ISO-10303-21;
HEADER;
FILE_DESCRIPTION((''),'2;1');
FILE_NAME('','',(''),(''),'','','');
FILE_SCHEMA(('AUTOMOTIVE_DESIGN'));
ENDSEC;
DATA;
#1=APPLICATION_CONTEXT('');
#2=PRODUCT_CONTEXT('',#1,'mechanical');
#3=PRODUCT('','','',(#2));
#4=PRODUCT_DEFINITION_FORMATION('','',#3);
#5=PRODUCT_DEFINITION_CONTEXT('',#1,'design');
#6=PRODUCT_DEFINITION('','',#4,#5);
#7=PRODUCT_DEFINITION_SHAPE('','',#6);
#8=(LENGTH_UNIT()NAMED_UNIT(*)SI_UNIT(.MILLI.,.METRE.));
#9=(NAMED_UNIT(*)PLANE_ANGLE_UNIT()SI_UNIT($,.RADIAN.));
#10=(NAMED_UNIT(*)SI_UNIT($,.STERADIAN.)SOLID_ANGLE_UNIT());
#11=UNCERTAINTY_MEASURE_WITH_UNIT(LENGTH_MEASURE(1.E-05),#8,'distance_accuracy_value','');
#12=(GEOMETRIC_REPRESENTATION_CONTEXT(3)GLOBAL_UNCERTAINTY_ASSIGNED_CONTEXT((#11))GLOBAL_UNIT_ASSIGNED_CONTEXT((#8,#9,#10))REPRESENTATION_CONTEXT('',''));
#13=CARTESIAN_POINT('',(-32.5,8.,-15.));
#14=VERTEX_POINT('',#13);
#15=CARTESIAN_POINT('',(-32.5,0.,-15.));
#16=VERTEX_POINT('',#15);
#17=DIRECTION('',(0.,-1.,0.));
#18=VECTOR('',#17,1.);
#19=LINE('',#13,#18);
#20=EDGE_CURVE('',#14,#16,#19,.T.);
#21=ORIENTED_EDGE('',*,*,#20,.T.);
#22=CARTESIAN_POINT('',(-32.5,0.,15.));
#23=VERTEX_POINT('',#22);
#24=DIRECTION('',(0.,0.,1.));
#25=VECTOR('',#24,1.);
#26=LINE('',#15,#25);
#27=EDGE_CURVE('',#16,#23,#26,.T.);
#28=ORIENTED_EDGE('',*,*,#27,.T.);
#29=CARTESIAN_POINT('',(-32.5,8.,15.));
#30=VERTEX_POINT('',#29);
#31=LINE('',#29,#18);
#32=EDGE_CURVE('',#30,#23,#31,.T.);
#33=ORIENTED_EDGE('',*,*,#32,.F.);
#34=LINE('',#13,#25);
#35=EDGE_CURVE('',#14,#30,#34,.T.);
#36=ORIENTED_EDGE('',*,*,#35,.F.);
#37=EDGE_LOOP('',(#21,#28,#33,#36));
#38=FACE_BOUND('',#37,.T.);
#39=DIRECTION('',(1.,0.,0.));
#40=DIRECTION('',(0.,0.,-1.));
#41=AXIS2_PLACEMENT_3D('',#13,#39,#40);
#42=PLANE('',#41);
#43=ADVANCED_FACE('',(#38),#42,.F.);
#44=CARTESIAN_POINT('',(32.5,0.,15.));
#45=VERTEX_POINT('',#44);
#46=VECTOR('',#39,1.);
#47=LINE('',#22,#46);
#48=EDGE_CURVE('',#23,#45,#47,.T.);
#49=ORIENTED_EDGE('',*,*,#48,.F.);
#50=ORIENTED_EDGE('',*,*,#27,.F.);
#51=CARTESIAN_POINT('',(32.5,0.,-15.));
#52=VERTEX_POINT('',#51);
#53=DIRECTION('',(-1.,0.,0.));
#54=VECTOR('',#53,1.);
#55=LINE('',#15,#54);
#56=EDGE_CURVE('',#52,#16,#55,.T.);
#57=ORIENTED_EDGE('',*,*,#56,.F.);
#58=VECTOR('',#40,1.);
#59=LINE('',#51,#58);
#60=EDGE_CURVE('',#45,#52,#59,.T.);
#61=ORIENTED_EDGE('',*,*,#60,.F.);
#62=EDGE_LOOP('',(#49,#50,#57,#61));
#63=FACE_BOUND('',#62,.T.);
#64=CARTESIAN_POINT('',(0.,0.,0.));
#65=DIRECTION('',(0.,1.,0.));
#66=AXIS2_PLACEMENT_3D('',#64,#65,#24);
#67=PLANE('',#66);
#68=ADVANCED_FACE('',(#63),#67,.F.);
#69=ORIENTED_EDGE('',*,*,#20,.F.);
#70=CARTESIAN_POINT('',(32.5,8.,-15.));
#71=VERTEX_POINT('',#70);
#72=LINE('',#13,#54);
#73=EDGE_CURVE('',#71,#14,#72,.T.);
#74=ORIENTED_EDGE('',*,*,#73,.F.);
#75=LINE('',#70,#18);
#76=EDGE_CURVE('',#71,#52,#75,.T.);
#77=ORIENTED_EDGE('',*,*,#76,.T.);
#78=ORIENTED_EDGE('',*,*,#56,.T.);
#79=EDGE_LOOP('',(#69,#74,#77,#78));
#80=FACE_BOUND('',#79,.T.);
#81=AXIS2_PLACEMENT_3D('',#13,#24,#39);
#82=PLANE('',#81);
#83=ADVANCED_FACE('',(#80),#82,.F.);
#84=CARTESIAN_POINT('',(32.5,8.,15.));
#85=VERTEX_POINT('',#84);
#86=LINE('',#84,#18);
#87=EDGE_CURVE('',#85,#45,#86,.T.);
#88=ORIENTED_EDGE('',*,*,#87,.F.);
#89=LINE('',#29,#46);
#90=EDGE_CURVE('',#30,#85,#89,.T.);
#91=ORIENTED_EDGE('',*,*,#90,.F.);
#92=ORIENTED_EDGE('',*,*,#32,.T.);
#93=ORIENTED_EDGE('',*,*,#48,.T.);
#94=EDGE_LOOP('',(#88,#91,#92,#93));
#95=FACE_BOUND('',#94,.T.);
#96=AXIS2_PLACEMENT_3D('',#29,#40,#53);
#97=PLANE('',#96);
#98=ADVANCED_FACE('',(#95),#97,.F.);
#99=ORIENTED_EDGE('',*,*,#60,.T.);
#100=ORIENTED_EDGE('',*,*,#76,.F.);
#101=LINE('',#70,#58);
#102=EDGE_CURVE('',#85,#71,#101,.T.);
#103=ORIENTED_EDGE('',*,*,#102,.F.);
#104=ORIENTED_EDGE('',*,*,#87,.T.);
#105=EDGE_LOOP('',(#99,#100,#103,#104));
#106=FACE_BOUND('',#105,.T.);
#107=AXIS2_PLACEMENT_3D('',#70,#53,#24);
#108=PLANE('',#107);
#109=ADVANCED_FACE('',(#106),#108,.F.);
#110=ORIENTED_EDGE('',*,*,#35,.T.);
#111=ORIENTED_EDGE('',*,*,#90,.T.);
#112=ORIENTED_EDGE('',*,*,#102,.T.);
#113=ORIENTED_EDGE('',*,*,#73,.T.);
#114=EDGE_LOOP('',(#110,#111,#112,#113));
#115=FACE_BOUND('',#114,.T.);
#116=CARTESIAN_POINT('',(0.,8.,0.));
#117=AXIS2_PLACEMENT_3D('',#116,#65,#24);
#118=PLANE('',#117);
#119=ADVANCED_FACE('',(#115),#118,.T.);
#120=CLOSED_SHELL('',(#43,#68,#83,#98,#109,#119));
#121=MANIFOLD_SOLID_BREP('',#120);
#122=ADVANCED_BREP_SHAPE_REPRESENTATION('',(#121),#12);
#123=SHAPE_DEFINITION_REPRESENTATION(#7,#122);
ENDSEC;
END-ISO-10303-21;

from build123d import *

# Parameters (mm, degrees)
SKETCH_1_W      = 65
SKETCH_1_H      = 30
EXTRUDE_1_DEPTH = 8


with BuildPart() as part:
    # 草图1 → 凸台-拉伸1 (new body)
    with BuildSketch(Plane(origin=(0, 0, 0), x_dir=(1, 0, 0), z_dir=(0, 1, 0))):
        Rectangle(SKETCH_1_W, SKETCH_1_H)
    extrude(amount=EXTRUDE_1_DEPTH)


solid = part.part
